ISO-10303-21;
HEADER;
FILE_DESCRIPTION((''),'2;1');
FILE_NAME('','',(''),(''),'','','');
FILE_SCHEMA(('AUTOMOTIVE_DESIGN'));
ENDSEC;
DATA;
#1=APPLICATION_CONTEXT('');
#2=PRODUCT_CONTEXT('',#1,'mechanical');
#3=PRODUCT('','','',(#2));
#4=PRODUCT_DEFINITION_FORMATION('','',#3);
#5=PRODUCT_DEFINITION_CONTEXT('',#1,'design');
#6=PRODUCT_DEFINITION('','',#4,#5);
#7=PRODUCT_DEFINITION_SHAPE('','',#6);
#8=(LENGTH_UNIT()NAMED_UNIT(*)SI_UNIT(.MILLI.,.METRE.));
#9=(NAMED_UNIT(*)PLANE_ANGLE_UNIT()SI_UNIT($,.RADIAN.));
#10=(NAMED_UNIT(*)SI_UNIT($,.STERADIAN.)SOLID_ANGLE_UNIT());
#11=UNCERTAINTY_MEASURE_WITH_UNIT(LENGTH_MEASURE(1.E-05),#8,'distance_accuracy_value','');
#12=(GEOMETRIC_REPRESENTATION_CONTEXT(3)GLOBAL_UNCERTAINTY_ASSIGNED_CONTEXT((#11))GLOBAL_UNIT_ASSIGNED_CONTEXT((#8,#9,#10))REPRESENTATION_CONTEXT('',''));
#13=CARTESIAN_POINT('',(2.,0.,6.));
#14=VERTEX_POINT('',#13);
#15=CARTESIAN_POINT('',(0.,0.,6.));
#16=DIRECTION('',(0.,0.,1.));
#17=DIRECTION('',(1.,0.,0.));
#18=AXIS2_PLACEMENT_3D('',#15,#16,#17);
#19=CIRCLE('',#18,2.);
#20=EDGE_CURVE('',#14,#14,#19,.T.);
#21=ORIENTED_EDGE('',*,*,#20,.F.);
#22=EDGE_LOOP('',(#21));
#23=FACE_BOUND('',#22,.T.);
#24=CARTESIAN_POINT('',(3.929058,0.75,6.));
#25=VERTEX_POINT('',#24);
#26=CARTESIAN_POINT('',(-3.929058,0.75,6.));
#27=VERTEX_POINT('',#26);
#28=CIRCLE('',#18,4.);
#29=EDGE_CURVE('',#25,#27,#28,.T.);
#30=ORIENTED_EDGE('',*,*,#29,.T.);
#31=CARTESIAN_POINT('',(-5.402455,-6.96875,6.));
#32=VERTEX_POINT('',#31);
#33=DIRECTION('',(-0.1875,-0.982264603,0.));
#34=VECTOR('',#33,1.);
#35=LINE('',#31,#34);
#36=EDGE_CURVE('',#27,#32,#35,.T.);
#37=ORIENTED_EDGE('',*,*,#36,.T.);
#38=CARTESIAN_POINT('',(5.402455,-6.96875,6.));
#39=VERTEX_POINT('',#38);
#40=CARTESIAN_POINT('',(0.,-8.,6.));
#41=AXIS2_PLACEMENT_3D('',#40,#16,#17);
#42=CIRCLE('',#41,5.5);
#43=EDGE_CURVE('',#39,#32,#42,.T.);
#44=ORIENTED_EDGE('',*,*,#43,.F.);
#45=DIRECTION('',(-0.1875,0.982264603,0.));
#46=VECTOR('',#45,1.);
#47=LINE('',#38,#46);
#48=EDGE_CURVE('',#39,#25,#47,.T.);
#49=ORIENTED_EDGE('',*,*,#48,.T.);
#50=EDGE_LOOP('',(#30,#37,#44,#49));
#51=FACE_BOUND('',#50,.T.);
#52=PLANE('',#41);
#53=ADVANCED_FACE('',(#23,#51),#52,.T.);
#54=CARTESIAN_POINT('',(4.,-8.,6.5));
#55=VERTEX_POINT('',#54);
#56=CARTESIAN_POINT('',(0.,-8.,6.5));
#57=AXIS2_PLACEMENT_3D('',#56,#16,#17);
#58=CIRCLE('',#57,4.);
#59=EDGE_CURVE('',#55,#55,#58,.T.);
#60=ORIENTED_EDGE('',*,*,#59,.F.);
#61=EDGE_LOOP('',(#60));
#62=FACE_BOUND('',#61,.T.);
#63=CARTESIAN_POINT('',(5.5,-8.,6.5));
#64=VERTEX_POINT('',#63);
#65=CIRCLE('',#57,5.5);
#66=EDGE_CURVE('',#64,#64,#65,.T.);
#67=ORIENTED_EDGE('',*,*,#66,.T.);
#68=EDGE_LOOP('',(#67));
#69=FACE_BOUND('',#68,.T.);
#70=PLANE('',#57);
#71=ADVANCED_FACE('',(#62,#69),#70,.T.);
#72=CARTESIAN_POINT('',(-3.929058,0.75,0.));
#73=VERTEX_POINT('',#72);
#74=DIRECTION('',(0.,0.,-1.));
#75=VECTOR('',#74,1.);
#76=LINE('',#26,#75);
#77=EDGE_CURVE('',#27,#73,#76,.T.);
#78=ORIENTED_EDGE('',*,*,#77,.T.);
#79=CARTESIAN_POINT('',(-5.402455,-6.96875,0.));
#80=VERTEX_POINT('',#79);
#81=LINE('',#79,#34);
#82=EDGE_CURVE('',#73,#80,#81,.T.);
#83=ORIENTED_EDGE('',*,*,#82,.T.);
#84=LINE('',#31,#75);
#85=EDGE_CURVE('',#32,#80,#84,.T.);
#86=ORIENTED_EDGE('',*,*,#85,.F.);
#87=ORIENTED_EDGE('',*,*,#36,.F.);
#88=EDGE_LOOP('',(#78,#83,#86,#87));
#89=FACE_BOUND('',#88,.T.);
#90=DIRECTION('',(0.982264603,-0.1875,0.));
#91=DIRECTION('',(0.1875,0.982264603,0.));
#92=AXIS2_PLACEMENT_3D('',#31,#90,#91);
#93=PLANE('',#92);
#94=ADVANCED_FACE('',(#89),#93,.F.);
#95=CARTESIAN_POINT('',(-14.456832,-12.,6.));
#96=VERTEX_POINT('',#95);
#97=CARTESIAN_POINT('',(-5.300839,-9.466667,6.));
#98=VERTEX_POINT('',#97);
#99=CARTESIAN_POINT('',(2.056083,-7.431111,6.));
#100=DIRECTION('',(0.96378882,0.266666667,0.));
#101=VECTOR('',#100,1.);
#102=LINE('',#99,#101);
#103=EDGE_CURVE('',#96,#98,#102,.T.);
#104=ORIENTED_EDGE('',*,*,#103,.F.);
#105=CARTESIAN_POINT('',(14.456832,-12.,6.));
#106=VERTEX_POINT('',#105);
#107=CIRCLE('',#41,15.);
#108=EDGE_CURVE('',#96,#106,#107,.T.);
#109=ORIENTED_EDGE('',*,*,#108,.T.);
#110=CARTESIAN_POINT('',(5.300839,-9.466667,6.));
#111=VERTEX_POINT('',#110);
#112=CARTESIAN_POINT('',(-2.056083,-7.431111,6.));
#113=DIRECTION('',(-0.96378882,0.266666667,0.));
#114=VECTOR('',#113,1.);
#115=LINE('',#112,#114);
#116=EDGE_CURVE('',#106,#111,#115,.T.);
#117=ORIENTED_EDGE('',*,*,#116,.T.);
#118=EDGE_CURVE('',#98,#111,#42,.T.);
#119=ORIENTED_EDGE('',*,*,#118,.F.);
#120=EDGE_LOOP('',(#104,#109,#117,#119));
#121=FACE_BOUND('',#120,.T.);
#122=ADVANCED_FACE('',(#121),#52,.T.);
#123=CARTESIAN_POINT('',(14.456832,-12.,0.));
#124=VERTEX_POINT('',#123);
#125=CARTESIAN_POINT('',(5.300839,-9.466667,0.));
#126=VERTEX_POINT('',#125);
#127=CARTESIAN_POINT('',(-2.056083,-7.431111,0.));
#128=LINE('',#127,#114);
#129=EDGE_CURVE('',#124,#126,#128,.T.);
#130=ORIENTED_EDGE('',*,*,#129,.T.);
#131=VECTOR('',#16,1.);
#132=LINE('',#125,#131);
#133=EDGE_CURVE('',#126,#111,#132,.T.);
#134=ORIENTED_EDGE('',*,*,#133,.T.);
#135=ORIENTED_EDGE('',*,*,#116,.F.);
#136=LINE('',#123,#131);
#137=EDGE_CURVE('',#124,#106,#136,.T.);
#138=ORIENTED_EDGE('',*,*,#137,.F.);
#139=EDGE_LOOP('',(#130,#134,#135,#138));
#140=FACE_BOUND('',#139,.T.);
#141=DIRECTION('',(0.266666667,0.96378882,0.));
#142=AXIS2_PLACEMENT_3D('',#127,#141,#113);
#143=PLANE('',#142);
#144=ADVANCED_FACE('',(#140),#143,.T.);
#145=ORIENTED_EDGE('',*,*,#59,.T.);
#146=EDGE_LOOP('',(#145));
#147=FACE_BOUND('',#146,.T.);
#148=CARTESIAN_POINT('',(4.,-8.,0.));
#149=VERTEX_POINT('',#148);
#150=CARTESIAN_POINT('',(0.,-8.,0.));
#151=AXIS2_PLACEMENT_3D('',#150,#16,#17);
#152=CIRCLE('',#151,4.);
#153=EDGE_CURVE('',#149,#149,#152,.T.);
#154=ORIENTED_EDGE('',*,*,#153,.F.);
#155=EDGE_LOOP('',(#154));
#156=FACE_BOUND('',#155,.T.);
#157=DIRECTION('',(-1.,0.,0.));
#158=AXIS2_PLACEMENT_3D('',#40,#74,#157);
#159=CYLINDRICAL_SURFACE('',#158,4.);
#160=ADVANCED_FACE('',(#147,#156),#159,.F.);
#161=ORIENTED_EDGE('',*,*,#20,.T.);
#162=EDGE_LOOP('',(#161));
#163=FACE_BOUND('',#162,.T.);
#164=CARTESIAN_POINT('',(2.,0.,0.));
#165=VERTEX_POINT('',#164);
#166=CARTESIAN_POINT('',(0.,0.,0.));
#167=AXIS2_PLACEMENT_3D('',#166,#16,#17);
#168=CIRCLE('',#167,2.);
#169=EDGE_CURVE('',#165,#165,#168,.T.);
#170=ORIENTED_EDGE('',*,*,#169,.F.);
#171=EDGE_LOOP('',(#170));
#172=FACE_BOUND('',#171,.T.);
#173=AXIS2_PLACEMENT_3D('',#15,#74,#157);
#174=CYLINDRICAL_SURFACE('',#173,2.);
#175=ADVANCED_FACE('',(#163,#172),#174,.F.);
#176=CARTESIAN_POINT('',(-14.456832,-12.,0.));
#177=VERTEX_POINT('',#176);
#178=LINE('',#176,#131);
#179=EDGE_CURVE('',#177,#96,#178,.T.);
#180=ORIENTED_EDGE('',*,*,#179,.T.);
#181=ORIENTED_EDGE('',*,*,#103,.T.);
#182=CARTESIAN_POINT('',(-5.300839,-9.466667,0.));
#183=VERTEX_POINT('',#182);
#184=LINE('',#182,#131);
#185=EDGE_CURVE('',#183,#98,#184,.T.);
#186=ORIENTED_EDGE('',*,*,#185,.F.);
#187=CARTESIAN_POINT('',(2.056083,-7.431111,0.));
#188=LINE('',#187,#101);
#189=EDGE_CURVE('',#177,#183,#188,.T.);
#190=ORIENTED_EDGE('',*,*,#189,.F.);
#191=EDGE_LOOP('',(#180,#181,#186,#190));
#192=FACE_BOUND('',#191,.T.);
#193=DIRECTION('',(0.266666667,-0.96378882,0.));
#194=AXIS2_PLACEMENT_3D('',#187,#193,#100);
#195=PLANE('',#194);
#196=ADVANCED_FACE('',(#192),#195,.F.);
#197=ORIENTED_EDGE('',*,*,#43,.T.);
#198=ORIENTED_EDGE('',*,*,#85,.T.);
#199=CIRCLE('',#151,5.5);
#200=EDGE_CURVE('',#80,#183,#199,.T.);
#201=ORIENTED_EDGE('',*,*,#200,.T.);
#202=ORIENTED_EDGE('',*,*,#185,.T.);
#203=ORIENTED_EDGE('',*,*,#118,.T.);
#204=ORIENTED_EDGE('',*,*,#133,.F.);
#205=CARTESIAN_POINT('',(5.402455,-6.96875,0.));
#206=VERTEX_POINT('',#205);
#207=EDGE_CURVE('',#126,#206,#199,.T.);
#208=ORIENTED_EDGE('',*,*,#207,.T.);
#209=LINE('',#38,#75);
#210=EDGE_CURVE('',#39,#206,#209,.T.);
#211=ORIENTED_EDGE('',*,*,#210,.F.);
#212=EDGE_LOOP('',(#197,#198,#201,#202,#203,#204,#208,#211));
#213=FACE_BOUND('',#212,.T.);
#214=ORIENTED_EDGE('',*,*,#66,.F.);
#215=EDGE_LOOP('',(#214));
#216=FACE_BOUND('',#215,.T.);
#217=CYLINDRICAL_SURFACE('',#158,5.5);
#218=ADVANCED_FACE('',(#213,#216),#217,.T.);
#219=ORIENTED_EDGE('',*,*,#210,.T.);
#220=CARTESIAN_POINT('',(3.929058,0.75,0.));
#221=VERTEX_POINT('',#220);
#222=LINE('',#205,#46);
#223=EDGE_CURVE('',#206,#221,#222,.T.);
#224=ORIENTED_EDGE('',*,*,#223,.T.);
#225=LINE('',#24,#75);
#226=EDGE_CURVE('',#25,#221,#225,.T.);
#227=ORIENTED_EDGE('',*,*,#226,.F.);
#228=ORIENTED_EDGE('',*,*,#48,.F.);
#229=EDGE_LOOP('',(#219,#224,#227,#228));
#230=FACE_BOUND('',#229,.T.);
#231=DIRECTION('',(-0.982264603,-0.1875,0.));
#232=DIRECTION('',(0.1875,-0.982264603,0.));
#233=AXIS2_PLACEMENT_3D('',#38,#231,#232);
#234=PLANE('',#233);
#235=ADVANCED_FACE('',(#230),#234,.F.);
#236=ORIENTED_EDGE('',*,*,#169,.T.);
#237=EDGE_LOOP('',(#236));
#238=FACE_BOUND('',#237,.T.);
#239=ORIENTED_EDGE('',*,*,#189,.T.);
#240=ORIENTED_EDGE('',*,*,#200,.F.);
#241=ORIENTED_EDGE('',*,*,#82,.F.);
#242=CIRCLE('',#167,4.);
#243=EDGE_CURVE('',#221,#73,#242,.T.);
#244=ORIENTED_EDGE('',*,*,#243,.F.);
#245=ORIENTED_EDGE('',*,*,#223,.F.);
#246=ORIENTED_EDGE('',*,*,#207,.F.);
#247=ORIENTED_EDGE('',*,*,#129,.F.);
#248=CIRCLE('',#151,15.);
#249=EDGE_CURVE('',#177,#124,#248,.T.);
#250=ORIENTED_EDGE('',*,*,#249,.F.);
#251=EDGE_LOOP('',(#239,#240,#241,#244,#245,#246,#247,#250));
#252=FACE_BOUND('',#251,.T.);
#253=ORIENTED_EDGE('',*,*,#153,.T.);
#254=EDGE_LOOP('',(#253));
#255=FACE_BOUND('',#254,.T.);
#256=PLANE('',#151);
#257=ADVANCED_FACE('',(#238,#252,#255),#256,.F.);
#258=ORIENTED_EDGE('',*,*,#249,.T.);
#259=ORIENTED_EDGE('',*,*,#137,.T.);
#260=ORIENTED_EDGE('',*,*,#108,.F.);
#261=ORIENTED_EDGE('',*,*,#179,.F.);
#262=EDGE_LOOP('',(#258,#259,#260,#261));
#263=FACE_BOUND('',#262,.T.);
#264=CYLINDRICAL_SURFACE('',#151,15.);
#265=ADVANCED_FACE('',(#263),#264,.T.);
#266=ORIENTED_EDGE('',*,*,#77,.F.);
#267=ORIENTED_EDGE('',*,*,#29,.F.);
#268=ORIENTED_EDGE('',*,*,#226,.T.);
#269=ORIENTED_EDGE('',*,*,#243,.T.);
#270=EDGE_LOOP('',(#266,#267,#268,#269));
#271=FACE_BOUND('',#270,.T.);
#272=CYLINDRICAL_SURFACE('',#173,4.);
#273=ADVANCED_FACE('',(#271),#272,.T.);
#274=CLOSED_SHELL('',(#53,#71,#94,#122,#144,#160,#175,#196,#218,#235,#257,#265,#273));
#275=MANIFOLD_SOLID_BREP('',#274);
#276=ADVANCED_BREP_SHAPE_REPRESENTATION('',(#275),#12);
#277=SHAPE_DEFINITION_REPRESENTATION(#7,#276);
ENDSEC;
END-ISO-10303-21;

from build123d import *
from build123d.topology import SkipClean

# Parameters (mm, degrees)
SKETCH1_R           = 2
SKETCH1_R_2         = 4
BOSS_EXTRUDE1_DEPTH = 6
BOSS_EXTRUDE2_START = -6
BOSS_EXTRUDE2_DEPTH = 6
SKETCH3_R           = 5.5
SKETCH3_R_2         = 4
BOSS_EXTRUDE4_DEPTH = 0.5


with BuildPart() as part:
    # Sketch1 → Boss-Extrude1 (new body)
    with BuildSketch(Plane.XY):
        with BuildLine():
            Line((-5.402455316, -6.96875), (-3.929058411, 0.75))
            ThreePointArc((-3.929058411, 0.75), (0, 4), (3.929058411, 0.75))
            Line((3.929058411, 0.75), (5.402455316, -6.96875))
            ThreePointArc((5.402455316, -6.96875), (0, -13.5), (-5.402455316, -6.96875))
        make_face()
        Circle(SKETCH1_R, mode=Mode.SUBTRACT)
        with Locations((0, -8)):
            Circle(SKETCH1_R_2, mode=Mode.SUBTRACT)
    extrude(amount=BOSS_EXTRUDE1_DEPTH)

    # Sketch2 → Boss-Extrude2 (add)
    with BuildSketch(Plane.XY.offset(6).offset(BOSS_EXTRUDE2_START)):
        with BuildLine():
            Line((0, -13.5), (0, -23))
            ThreePointArc((0, -23), (9.082951062, -19.937336386), (14.456832295, -12))
            Line((14.456832295, -12), (5.300838508, -9.466666667))
            ThreePointArc((5.300838508, -9.466666667), (3.33041539, -12.377023342), (0, -13.5))
        make_face()
        with BuildLine():
            Line((-5.300838508, -9.466666667), (-14.456832295, -12))
            ThreePointArc((-14.456832295, -12), (-9.082951062, -19.937336386), (0, -23))
            Line((0, -23), (0, -13.5))
            ThreePointArc((0, -13.5), (-3.33041539, -12.377023342), (-5.300838508, -9.466666667))
        make_face()
    extrude(amount=BOSS_EXTRUDE2_DEPTH)

    # Sketch3 → Boss-Extrude4 (add)
    with SkipClean():  # the faces are left unmerged after this step: merging them gives an invalid solid
        with BuildSketch(Plane.XY.offset(6)):
            with Locations(Location((0, -8, 0), (0, 0, 169.193077125))):
                Circle(SKETCH3_R)
            with Locations((0, -8)):
                Circle(SKETCH3_R_2, mode=Mode.SUBTRACT)
        extrude(amount=BOSS_EXTRUDE4_DEPTH)


solid = part.part
